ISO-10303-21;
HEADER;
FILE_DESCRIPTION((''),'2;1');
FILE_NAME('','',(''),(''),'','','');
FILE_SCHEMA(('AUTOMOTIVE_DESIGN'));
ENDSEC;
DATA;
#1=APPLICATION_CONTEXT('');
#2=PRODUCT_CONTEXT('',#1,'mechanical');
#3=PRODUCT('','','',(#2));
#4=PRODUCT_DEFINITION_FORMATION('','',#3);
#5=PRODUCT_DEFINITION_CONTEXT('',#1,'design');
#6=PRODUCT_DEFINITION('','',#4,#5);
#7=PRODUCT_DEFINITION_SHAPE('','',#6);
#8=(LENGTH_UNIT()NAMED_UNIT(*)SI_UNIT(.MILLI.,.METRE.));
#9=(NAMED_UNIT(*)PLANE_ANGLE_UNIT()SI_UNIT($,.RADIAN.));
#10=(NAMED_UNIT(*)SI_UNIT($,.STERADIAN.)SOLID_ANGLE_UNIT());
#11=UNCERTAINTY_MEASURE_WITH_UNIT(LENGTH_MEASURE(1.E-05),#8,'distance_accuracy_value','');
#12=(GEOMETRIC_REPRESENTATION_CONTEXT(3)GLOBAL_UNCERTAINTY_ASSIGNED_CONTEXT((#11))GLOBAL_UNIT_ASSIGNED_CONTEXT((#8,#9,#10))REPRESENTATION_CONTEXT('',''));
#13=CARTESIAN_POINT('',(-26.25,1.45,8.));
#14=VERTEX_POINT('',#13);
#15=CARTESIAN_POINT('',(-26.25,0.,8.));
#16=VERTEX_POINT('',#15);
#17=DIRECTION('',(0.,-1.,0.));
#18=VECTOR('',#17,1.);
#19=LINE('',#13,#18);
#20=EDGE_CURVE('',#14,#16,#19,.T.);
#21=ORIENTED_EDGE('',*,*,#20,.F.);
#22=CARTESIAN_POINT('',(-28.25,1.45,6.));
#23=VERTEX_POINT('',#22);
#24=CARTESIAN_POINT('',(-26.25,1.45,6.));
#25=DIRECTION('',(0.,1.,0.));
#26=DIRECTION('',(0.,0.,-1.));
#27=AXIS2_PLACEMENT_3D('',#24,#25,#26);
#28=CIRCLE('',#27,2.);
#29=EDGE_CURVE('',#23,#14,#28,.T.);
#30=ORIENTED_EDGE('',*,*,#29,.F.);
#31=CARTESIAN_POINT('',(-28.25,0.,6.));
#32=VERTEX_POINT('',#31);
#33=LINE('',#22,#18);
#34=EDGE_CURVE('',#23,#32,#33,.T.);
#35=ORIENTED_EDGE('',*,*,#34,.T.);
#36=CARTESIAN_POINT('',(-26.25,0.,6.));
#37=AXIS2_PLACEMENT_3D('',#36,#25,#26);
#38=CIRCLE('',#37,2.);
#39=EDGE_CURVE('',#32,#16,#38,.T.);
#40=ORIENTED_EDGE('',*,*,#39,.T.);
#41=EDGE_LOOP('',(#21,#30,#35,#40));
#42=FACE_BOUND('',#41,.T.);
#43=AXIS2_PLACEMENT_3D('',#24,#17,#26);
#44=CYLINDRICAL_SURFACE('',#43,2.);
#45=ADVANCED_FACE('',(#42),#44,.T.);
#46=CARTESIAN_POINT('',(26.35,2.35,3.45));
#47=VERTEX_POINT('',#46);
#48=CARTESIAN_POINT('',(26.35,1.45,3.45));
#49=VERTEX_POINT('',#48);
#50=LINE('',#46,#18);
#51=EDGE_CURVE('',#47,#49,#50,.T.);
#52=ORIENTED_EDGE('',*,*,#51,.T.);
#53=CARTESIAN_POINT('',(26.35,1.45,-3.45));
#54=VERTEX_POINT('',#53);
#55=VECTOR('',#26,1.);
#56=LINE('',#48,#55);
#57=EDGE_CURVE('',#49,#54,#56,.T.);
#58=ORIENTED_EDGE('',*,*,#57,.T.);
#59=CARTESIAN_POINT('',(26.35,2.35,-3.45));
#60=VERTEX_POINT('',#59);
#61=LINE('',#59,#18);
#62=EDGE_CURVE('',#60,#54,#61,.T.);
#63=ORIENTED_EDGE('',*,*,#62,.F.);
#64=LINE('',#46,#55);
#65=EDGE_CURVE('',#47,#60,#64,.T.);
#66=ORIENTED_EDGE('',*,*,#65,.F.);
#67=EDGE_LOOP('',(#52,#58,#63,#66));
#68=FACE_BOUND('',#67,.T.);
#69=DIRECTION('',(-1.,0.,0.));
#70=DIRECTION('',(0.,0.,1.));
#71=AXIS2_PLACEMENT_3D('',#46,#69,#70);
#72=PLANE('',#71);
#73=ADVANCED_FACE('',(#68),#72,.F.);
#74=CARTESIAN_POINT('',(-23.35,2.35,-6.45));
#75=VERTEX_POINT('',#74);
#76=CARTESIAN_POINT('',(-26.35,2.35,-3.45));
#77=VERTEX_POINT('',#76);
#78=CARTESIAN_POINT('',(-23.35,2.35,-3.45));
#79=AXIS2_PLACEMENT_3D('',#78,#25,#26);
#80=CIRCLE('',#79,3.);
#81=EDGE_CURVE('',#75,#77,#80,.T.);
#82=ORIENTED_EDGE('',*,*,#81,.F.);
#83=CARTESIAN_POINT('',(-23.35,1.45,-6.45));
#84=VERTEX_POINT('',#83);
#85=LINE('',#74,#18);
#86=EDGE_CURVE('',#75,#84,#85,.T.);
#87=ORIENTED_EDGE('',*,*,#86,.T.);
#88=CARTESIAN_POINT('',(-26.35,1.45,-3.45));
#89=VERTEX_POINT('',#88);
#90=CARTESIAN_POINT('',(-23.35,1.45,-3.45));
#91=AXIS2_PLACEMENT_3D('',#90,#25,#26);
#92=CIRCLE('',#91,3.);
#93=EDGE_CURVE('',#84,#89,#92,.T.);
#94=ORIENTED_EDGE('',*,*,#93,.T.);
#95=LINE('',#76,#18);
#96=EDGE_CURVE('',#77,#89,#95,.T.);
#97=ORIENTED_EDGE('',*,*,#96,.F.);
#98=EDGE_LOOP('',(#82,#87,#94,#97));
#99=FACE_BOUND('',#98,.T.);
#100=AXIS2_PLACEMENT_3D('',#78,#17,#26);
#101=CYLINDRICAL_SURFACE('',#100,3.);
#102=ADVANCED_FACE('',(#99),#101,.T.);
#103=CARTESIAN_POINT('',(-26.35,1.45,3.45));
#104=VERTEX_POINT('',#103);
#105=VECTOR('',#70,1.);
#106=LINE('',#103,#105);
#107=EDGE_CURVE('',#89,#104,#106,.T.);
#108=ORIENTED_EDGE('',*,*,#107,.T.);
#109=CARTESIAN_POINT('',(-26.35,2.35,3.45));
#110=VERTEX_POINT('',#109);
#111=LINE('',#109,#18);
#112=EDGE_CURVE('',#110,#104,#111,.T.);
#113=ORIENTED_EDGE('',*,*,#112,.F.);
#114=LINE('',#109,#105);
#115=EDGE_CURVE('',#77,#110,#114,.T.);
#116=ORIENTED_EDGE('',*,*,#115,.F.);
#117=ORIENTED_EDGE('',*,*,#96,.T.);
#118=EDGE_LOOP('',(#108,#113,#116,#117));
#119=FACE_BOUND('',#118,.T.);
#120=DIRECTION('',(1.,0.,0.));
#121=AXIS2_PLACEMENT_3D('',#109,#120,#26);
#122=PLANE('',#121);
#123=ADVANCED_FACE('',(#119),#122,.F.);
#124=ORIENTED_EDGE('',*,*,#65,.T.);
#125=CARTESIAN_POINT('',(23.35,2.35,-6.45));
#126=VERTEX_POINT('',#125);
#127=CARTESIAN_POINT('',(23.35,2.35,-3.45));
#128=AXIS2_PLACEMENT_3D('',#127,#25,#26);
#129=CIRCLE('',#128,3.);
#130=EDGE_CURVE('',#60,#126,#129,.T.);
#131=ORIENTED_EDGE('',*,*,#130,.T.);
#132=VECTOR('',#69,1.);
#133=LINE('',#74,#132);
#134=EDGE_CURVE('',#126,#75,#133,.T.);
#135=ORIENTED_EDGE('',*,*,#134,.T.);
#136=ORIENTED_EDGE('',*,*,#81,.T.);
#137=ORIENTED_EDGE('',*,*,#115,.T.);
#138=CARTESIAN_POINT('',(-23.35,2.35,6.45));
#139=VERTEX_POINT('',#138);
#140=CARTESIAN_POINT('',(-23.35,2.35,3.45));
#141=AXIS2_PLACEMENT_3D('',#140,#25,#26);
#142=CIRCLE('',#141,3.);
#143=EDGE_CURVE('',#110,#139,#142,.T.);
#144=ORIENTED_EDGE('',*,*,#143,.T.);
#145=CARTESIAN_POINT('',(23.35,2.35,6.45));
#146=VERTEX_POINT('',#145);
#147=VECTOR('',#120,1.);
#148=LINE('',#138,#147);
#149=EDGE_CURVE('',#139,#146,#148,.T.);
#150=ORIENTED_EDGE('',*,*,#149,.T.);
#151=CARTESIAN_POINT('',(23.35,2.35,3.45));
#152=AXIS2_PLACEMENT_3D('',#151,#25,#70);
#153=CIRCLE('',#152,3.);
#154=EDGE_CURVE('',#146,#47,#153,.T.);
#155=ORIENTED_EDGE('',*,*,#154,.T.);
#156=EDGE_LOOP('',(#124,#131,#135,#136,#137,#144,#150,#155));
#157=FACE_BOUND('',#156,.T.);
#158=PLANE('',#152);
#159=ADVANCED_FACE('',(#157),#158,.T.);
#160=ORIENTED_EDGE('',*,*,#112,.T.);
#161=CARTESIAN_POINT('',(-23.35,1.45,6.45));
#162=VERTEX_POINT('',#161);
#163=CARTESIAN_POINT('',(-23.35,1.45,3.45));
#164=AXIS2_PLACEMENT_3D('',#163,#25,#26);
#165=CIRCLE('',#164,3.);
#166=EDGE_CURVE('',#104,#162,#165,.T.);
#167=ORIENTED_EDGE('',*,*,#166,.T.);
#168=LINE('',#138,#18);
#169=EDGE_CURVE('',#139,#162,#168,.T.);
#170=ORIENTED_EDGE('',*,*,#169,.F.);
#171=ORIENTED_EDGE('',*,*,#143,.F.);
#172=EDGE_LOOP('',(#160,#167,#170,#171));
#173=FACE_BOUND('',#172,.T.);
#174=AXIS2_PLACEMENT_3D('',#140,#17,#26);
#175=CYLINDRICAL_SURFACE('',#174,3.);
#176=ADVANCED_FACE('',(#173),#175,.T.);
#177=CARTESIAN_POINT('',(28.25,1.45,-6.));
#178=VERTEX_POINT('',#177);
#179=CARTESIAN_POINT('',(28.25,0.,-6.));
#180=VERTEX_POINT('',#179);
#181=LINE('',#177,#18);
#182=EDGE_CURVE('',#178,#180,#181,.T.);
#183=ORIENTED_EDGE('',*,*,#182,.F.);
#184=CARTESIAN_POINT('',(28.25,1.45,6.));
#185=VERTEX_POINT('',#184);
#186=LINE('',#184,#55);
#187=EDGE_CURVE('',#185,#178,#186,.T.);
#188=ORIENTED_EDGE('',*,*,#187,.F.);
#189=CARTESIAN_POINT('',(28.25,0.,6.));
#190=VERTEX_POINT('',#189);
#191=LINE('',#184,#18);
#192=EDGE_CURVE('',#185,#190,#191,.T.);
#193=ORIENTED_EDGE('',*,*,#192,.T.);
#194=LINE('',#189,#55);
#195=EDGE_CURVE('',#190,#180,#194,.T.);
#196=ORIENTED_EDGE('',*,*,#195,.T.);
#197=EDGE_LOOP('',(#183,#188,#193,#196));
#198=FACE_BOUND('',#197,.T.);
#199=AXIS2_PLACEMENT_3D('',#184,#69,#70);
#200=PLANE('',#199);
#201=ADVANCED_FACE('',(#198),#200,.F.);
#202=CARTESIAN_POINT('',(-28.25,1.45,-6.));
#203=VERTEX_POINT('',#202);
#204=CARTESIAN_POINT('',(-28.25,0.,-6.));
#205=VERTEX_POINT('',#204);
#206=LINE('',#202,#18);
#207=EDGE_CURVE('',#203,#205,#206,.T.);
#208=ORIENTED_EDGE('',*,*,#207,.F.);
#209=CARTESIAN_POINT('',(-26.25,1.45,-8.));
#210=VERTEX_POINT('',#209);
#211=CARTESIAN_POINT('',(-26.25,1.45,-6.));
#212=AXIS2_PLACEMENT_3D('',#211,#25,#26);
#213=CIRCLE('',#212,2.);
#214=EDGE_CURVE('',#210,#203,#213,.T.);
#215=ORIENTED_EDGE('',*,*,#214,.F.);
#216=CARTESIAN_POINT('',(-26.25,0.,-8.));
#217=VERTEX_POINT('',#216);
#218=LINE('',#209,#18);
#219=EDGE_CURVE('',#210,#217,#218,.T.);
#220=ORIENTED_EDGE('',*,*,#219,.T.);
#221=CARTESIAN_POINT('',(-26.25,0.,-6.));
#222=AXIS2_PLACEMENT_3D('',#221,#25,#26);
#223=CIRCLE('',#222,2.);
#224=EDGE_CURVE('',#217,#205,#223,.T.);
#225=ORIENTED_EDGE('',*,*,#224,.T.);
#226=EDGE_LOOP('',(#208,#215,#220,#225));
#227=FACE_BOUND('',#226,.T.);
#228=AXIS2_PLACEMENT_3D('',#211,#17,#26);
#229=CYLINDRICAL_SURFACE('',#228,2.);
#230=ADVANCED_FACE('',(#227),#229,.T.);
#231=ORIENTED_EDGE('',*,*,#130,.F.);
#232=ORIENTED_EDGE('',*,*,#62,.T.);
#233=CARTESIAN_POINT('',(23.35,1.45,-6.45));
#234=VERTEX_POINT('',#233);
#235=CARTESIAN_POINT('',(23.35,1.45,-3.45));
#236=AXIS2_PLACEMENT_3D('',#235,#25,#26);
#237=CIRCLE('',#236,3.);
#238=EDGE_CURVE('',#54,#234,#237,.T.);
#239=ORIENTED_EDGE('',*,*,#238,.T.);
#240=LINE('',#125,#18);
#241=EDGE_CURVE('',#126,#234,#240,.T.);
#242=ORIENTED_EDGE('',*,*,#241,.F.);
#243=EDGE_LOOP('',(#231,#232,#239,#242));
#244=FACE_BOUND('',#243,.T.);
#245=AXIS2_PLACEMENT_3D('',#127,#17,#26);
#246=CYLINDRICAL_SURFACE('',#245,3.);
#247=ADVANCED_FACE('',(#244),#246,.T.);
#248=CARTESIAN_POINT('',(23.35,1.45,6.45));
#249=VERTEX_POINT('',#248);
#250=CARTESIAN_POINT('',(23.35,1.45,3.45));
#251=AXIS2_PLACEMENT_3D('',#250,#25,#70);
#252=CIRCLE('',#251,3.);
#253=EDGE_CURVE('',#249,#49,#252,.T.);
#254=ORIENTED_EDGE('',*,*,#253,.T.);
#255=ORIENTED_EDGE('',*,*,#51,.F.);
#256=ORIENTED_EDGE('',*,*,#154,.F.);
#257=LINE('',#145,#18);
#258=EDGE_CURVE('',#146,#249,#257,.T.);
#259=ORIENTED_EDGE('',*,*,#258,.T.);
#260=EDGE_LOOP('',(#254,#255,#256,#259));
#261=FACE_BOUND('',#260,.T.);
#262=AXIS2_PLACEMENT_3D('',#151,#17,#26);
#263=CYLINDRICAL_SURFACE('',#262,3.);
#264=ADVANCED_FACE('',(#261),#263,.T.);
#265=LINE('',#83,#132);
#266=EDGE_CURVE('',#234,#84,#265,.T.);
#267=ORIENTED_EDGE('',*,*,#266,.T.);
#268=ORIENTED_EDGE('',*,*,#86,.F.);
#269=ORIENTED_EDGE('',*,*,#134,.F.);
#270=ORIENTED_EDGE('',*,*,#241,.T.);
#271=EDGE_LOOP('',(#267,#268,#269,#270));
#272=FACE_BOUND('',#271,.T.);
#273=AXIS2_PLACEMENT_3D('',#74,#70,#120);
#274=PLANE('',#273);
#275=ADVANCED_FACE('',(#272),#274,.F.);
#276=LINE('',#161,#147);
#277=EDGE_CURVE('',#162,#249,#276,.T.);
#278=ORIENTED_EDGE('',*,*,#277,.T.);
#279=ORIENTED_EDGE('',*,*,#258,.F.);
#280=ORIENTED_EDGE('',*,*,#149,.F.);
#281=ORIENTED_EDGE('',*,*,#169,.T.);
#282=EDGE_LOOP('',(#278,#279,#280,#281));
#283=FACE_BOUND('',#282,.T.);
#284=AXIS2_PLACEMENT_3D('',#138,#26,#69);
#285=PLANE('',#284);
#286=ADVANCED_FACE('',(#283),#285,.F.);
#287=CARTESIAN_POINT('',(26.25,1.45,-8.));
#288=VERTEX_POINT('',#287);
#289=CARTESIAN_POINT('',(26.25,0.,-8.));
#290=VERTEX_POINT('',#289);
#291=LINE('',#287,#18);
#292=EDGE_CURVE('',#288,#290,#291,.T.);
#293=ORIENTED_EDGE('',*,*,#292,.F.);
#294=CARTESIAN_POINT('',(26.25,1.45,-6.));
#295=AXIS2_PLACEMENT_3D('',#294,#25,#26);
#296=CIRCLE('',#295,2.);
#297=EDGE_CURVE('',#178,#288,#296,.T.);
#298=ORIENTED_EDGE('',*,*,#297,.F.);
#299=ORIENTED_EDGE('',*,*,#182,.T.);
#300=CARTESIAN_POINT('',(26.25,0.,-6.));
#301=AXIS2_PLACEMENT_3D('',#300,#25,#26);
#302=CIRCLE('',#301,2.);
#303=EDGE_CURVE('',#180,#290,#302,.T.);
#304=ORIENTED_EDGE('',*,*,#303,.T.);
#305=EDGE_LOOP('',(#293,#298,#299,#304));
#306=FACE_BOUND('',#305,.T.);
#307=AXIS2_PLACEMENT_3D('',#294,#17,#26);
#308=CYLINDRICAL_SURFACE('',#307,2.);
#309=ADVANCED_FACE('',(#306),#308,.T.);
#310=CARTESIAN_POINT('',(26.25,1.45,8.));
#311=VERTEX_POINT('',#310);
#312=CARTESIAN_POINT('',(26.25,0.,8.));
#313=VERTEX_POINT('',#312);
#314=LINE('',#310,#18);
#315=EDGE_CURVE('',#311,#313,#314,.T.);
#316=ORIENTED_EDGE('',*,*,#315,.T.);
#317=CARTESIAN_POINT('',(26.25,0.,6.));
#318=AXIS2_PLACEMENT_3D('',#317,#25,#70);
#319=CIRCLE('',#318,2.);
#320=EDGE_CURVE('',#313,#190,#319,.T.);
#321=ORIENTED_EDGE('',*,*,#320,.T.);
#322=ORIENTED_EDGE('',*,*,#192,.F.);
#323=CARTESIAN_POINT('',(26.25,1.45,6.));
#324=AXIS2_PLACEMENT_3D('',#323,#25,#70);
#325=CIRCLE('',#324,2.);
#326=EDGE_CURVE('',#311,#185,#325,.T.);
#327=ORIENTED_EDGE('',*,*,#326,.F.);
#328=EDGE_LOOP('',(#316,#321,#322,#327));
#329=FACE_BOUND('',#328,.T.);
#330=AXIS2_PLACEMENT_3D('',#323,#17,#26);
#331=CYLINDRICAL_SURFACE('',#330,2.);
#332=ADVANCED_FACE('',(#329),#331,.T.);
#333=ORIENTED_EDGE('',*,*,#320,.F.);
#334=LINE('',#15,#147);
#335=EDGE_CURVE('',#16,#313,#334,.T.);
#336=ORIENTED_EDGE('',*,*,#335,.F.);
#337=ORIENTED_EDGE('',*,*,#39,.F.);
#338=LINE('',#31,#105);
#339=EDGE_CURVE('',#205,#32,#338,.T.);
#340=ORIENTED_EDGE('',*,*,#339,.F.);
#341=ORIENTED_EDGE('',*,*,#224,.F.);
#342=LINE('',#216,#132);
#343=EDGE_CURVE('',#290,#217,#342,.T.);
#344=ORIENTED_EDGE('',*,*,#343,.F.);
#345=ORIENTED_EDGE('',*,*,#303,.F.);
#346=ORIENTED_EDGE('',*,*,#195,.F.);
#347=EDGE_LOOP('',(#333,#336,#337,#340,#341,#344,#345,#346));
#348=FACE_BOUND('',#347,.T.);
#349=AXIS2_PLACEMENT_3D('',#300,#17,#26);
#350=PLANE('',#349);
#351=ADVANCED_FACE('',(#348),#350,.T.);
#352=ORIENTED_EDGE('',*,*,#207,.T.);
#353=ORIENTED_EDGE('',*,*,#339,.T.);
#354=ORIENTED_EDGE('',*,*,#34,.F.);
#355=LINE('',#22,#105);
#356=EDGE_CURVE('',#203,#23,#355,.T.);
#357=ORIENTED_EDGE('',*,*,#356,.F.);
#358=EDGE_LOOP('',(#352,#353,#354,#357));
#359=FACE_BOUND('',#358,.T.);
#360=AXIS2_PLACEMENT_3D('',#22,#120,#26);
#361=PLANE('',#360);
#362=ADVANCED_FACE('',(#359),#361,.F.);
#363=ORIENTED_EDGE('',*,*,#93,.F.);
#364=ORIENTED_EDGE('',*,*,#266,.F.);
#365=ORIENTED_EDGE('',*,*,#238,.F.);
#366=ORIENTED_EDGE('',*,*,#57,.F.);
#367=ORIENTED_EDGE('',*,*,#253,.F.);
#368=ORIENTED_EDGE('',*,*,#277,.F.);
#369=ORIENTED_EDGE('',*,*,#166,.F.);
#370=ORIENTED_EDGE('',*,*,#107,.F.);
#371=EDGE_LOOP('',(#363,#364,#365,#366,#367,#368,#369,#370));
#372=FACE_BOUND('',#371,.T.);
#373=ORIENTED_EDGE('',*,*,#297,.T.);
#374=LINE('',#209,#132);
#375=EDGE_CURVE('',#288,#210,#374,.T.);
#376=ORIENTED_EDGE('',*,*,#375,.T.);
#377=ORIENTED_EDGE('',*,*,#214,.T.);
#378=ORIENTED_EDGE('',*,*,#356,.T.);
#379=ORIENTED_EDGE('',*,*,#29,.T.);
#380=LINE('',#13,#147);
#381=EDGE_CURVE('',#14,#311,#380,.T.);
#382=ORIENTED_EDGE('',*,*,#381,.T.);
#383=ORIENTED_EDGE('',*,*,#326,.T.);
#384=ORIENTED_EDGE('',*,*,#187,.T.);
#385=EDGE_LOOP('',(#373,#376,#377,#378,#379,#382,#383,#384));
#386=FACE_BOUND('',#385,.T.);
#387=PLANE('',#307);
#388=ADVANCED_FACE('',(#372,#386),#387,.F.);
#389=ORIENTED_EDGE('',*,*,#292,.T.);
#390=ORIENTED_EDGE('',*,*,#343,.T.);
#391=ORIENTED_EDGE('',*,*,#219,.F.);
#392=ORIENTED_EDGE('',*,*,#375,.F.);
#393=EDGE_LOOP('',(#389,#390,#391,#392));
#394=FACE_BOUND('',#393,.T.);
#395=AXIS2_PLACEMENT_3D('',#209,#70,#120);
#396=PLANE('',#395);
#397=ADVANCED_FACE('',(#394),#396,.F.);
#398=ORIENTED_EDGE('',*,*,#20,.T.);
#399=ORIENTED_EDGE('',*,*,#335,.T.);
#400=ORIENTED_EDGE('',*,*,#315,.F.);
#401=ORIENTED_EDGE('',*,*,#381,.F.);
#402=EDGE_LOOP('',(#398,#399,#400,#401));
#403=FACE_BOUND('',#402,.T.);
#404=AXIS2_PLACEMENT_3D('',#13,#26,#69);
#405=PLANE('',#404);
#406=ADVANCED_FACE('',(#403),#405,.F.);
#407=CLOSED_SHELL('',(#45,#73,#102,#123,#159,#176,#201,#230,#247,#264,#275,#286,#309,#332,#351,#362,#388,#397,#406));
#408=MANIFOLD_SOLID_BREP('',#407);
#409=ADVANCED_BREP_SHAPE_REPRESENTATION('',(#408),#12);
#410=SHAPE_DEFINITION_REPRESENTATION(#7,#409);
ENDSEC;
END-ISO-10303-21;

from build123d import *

# Parameters (mm, degrees)
BOSS_EXTRUDE1_DEPTH = 1.45
BOSS_EXTRUDE2_DEPTH = 0.9


with BuildPart() as part:
    # Sketch1 → Boss-Extrude1 (new body)
    with BuildSketch(Plane(origin=(0, 0, 0), x_dir=(1, 0, 0), z_dir=(0, 1, 0))):
        with BuildLine():
            Line((-26.25, -8), (26.25, -8))
            ThreePointArc((26.25, -8), (27.664213562, -7.414213562), (28.25, -6))
            Line((28.25, -6), (28.25, 6))
            ThreePointArc((28.25, 6), (27.664213562, 7.414213562), (26.25, 8))
            Line((26.25, 8), (-26.25, 8))
            ThreePointArc((-26.25, 8), (-27.664213562, 7.414213562), (-28.25, 6))
            Line((-28.25, 6), (-28.25, -6))
            ThreePointArc((-28.25, -6), (-27.664213562, -7.414213562), (-26.25, -8))
        make_face()
    extrude(amount=BOSS_EXTRUDE1_DEPTH)

    # Sketch2 → Boss-Extrude2 (add)
    with BuildSketch(Plane(origin=(0, 1.45, 0), x_dir=(1, 0, 0), z_dir=(0, 1, 0))):
        with BuildLine():
            Line((-23.35, -6.45), (23.35, -6.45))
            ThreePointArc((23.35, -6.45), (25.471320344, -5.571320344), (26.35, -3.45))
            Line((26.35, -3.45), (26.35, 3.45))
            ThreePointArc((26.35, 3.45), (25.471320344, 5.571320344), (23.35, 6.45))
            Line((23.35, 6.45), (-23.35, 6.45))
            ThreePointArc((-23.35, 6.45), (-25.471320344, 5.571320344), (-26.35, 3.45))
            Line((-26.35, 3.45), (-26.35, -3.45))
            ThreePointArc((-26.35, -3.45), (-25.471320344, -5.571320344), (-23.35, -6.45))
        make_face()
    extrude(amount=BOSS_EXTRUDE2_DEPTH)


solid = part.part
